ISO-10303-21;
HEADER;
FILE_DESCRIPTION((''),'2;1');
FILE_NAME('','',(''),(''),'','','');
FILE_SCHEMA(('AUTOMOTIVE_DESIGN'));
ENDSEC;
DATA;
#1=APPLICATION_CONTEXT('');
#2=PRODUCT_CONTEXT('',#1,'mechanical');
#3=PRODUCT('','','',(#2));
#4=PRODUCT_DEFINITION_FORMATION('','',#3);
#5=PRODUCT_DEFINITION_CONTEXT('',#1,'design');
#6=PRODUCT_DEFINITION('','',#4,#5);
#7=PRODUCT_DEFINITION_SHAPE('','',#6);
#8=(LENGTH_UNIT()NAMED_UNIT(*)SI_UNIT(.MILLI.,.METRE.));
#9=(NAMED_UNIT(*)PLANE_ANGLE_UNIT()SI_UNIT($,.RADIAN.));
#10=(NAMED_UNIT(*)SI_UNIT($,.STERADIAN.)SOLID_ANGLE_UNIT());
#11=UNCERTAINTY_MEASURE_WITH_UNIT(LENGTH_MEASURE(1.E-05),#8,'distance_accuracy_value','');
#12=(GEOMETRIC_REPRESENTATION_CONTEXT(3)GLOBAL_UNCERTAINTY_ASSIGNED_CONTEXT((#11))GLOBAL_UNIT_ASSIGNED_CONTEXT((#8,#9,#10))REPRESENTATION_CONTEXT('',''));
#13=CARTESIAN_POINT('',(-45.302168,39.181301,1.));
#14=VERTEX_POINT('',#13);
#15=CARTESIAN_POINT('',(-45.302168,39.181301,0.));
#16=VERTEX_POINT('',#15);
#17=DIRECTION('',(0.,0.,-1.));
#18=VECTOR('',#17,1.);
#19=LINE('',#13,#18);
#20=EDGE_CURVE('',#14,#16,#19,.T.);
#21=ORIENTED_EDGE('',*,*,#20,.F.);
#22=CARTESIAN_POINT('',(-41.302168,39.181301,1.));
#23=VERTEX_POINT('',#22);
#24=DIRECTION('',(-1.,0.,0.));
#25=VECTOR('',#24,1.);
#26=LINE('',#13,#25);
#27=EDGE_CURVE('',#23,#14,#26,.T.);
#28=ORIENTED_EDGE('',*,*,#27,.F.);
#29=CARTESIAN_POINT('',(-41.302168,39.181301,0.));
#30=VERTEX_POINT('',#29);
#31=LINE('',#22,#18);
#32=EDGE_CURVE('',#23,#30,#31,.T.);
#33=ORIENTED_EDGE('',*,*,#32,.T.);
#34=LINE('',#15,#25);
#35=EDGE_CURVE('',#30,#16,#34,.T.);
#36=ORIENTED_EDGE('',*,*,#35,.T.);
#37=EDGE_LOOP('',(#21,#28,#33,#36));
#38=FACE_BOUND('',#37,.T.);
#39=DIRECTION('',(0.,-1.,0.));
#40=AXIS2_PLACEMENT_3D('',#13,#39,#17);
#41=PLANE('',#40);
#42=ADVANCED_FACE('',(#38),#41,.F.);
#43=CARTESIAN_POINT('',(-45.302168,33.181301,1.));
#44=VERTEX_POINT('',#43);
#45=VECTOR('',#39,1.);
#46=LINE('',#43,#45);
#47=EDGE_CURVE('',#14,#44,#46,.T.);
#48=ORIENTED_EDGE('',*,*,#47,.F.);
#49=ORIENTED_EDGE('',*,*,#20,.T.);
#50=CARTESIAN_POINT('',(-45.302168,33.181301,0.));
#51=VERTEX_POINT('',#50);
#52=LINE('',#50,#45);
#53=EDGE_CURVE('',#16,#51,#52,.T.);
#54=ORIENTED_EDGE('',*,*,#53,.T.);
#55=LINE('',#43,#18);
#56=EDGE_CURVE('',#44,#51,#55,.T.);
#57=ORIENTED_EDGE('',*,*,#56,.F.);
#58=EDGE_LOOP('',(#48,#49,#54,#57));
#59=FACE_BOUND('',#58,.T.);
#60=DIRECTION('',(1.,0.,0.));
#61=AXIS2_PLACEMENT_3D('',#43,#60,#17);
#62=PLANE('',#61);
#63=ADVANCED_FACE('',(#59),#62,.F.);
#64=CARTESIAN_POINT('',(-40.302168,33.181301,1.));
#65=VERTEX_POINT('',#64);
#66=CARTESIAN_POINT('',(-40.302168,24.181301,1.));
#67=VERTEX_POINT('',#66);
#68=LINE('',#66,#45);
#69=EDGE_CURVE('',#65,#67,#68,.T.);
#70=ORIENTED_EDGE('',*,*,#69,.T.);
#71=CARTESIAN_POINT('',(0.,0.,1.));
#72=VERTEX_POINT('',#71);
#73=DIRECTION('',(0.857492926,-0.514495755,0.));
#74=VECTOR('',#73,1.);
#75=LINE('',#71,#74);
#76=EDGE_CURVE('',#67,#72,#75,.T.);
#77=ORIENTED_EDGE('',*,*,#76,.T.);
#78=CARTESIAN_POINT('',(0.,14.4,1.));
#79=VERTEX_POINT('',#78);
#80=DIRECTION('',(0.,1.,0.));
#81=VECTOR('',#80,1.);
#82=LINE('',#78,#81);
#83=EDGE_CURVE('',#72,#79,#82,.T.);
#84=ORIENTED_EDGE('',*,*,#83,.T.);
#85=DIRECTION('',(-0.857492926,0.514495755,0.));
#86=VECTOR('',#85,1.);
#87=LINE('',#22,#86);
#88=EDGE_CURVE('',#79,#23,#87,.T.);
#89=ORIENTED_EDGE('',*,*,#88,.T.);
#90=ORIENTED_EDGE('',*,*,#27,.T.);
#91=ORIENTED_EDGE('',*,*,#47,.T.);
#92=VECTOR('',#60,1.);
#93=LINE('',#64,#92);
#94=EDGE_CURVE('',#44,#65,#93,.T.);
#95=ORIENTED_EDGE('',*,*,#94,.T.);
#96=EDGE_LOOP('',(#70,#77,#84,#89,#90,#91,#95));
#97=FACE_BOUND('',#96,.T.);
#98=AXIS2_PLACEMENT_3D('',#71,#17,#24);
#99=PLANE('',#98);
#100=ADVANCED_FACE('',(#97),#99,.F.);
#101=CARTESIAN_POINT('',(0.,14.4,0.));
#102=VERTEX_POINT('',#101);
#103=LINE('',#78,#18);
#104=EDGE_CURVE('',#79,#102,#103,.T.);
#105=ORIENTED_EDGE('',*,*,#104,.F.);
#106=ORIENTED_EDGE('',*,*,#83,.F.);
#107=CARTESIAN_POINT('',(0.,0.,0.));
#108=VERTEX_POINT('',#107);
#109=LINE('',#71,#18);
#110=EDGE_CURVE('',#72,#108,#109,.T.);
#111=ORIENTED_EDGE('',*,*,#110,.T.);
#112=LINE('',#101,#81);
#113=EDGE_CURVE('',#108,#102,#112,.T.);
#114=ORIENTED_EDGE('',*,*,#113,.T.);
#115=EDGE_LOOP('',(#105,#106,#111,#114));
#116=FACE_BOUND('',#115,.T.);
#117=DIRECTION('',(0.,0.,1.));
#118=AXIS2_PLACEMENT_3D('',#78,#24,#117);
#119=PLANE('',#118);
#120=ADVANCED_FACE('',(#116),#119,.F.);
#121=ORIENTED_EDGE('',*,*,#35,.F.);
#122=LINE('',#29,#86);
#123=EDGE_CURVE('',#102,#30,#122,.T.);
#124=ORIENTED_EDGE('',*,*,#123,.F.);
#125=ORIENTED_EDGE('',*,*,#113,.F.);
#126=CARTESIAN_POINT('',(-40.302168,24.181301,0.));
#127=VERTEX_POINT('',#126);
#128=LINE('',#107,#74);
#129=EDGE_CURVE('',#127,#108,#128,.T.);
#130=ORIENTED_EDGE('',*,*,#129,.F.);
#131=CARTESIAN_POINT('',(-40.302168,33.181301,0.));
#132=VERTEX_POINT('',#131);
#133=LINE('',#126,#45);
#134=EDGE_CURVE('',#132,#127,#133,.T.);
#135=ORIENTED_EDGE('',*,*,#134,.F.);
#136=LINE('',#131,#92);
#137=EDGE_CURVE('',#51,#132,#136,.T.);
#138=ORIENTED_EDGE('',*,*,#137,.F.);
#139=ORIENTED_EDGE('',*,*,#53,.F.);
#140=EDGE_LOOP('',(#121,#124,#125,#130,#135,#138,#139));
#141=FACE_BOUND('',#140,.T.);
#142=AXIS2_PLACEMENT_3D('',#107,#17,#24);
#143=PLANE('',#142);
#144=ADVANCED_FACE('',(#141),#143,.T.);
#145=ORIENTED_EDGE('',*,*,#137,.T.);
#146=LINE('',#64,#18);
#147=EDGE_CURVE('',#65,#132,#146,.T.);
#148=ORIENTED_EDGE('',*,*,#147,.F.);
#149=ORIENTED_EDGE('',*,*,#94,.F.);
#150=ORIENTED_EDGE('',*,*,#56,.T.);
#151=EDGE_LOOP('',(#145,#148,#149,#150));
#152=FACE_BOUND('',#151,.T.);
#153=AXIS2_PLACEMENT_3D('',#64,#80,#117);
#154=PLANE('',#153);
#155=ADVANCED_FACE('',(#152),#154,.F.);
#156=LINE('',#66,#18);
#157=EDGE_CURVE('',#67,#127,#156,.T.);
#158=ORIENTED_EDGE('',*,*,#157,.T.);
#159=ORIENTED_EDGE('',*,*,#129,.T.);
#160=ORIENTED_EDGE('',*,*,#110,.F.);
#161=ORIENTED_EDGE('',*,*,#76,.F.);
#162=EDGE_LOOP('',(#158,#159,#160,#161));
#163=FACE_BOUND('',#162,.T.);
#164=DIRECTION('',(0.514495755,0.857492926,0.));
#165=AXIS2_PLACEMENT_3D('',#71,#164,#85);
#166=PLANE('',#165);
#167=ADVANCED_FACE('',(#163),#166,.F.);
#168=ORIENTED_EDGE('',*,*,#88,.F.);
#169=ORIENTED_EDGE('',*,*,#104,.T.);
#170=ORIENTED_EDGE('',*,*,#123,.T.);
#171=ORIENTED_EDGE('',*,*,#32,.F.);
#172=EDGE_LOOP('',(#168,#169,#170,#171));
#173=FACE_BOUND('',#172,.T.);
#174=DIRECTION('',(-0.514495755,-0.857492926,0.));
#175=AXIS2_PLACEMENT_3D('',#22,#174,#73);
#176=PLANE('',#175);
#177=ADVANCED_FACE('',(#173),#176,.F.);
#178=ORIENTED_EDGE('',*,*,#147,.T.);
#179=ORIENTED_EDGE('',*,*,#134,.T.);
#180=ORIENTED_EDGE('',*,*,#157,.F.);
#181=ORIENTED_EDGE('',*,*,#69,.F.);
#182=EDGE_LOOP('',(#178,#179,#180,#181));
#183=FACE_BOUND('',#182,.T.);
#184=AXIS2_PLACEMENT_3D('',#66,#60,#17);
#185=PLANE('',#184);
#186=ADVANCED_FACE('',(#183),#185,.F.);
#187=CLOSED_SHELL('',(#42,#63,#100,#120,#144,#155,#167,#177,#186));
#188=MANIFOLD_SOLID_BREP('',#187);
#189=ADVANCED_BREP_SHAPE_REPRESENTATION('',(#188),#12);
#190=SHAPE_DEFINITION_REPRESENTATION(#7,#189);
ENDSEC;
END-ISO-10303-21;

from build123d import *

# Parameters (mm, degrees)
BOSS_EXTRU_1_DEPTH = 1


with BuildPart() as part:
    # Esquisse1 → Boss.-Extru.1 (new body)
    with BuildSketch(Plane.XY):
        Polygon((0, 0), (-40.302167508, 24.181300505), (-40.302167508, 33.181300505), (-45.302167508, 33.181300505), (-45.302167508, 39.181300505), (-41.302167508, 39.181300505), (0, 14.4), align=None)
    extrude(amount=BOSS_EXTRU_1_DEPTH)


solid = part.part
